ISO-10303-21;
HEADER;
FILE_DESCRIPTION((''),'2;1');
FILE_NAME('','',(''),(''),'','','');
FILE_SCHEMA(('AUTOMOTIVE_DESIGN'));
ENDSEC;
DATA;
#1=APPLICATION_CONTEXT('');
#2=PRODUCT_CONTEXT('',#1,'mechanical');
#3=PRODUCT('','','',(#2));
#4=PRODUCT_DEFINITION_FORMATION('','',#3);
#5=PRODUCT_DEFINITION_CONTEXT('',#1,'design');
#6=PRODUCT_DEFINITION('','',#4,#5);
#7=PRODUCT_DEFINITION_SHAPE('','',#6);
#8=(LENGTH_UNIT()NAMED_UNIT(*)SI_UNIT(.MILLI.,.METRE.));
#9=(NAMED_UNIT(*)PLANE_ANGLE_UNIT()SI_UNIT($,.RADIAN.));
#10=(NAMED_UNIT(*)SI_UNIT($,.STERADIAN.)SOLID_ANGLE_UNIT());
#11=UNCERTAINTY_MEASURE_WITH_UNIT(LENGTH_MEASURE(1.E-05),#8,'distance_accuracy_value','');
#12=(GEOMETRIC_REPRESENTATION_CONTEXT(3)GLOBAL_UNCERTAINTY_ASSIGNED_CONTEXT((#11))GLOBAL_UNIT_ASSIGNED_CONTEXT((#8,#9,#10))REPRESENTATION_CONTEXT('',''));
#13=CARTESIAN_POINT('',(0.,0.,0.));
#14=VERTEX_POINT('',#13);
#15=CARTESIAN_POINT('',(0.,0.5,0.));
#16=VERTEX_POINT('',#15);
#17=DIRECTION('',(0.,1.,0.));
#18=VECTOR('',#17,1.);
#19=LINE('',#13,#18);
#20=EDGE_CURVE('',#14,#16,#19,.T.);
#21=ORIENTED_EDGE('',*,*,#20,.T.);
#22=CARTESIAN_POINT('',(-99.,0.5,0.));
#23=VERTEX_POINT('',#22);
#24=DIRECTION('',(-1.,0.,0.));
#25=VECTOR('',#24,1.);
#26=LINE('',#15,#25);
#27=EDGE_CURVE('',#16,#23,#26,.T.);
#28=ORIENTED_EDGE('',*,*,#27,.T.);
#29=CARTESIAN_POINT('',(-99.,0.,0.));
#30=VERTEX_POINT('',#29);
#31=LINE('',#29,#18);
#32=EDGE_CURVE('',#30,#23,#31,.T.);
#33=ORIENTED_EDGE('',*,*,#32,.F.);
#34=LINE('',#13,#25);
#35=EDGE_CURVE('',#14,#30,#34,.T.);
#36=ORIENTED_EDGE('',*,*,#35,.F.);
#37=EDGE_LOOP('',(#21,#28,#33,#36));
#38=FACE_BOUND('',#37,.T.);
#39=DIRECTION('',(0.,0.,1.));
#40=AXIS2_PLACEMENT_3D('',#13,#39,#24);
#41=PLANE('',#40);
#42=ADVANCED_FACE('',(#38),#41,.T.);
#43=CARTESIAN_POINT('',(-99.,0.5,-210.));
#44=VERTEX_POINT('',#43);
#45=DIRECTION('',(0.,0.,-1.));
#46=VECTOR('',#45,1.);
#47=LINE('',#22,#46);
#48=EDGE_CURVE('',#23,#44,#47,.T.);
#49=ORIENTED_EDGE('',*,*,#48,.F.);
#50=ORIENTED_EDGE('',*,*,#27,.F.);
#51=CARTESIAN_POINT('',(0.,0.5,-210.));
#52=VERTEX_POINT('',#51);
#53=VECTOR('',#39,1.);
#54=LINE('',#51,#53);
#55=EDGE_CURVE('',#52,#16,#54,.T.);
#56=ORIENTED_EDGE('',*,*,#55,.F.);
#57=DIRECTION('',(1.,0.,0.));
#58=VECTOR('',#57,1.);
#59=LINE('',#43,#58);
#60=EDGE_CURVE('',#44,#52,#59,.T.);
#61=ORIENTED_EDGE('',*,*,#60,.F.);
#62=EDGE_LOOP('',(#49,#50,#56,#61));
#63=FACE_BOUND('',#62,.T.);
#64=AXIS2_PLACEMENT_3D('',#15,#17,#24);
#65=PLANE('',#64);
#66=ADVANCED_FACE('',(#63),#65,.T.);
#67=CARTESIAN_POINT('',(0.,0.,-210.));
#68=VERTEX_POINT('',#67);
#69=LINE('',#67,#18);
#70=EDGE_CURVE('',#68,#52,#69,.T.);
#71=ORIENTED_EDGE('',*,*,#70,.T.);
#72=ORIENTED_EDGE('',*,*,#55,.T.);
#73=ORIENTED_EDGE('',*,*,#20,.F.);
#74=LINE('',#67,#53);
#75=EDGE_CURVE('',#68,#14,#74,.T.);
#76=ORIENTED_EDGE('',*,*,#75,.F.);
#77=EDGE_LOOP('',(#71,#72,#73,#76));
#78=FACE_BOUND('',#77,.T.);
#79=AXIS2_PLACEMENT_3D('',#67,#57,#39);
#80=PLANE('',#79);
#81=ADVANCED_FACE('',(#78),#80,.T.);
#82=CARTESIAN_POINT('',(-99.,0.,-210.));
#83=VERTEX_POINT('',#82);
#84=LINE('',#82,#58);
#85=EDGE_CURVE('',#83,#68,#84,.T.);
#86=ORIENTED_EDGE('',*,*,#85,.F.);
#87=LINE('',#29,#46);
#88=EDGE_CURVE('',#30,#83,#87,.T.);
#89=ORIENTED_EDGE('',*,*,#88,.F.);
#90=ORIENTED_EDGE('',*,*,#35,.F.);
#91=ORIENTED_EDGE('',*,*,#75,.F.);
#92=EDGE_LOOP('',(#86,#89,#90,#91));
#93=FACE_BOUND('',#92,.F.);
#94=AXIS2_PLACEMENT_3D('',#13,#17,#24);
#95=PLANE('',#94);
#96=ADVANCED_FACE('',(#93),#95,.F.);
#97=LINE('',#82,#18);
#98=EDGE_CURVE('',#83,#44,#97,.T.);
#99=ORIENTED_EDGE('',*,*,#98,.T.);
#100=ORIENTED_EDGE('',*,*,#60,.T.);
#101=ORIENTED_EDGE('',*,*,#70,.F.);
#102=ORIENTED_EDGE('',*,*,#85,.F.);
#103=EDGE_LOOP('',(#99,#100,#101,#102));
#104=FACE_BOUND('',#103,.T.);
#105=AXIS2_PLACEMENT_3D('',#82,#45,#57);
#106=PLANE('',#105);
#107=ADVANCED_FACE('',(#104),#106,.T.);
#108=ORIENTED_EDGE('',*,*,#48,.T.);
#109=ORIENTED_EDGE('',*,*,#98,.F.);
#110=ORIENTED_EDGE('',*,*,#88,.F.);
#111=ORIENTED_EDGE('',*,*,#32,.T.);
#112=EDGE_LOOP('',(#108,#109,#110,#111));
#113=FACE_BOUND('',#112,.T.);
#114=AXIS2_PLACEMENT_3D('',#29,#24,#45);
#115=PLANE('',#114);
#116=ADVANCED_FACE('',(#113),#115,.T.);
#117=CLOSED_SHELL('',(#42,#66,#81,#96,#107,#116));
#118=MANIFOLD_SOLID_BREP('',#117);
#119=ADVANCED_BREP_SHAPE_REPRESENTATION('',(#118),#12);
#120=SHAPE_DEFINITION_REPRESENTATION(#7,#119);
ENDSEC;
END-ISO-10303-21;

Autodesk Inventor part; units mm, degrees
ref_plane "YZ Plane" through (0, 0, 0) normal (1, 0, 0) x (0, 1, 0)
ref_plane "XZ Plane" through (0, 0, 0) normal (0, 1, 0) x (-1, 0, 0)
ref_plane "XY Plane" through (0, 0, 0) normal (0, 0, 1) x (1, 0, 0)
sketch "Sketch1" plane through (0, 0, 0) normal (0, 1, 0) x (-1, 0, 0)
  line L0 (0, 0) -> (99, 0)
  line L1 (99, 0) -> (99, -210)
  line L2 (99, -210) -> (0, -210)
  line L3 (0, -210) -> (0, 0)
  dimension "d0" = 99
  dimension "d1" = 210
extrude "Extrusion1" add sketch "Sketch1" along normal blind 0.5
sketch "Sketch2" plane through (0, 0.5, 0) normal (0, 1, 0) x (1, 0, 0)
  line L0 (-98.9901, -0.0047) -> (-99, 210) construction
  line L1 (-99, 210) -> (-0.0099, 210.0047) construction
  line L2 (-0.0099, 210.0047) -> (0, 0) construction
  line L3 (0, 0) -> (-98.9901, -0.0047) construction
sketch "Sketch3" plane through (0, 0, 0) normal (0, -1, 0) x (1, 0, 0)
  line L0 (-99, -210) -> (-98.9901, 0.0047) construction
  line L1 (-98.9901, 0.0047) -> (0, 0) construction
  line L2 (0, 0) -> (-0.0099, -210.0047) construction
  line L3 (-0.0099, -210.0047) -> (-99, -210) construction
decal "Decal1"
decal "Decal2"
